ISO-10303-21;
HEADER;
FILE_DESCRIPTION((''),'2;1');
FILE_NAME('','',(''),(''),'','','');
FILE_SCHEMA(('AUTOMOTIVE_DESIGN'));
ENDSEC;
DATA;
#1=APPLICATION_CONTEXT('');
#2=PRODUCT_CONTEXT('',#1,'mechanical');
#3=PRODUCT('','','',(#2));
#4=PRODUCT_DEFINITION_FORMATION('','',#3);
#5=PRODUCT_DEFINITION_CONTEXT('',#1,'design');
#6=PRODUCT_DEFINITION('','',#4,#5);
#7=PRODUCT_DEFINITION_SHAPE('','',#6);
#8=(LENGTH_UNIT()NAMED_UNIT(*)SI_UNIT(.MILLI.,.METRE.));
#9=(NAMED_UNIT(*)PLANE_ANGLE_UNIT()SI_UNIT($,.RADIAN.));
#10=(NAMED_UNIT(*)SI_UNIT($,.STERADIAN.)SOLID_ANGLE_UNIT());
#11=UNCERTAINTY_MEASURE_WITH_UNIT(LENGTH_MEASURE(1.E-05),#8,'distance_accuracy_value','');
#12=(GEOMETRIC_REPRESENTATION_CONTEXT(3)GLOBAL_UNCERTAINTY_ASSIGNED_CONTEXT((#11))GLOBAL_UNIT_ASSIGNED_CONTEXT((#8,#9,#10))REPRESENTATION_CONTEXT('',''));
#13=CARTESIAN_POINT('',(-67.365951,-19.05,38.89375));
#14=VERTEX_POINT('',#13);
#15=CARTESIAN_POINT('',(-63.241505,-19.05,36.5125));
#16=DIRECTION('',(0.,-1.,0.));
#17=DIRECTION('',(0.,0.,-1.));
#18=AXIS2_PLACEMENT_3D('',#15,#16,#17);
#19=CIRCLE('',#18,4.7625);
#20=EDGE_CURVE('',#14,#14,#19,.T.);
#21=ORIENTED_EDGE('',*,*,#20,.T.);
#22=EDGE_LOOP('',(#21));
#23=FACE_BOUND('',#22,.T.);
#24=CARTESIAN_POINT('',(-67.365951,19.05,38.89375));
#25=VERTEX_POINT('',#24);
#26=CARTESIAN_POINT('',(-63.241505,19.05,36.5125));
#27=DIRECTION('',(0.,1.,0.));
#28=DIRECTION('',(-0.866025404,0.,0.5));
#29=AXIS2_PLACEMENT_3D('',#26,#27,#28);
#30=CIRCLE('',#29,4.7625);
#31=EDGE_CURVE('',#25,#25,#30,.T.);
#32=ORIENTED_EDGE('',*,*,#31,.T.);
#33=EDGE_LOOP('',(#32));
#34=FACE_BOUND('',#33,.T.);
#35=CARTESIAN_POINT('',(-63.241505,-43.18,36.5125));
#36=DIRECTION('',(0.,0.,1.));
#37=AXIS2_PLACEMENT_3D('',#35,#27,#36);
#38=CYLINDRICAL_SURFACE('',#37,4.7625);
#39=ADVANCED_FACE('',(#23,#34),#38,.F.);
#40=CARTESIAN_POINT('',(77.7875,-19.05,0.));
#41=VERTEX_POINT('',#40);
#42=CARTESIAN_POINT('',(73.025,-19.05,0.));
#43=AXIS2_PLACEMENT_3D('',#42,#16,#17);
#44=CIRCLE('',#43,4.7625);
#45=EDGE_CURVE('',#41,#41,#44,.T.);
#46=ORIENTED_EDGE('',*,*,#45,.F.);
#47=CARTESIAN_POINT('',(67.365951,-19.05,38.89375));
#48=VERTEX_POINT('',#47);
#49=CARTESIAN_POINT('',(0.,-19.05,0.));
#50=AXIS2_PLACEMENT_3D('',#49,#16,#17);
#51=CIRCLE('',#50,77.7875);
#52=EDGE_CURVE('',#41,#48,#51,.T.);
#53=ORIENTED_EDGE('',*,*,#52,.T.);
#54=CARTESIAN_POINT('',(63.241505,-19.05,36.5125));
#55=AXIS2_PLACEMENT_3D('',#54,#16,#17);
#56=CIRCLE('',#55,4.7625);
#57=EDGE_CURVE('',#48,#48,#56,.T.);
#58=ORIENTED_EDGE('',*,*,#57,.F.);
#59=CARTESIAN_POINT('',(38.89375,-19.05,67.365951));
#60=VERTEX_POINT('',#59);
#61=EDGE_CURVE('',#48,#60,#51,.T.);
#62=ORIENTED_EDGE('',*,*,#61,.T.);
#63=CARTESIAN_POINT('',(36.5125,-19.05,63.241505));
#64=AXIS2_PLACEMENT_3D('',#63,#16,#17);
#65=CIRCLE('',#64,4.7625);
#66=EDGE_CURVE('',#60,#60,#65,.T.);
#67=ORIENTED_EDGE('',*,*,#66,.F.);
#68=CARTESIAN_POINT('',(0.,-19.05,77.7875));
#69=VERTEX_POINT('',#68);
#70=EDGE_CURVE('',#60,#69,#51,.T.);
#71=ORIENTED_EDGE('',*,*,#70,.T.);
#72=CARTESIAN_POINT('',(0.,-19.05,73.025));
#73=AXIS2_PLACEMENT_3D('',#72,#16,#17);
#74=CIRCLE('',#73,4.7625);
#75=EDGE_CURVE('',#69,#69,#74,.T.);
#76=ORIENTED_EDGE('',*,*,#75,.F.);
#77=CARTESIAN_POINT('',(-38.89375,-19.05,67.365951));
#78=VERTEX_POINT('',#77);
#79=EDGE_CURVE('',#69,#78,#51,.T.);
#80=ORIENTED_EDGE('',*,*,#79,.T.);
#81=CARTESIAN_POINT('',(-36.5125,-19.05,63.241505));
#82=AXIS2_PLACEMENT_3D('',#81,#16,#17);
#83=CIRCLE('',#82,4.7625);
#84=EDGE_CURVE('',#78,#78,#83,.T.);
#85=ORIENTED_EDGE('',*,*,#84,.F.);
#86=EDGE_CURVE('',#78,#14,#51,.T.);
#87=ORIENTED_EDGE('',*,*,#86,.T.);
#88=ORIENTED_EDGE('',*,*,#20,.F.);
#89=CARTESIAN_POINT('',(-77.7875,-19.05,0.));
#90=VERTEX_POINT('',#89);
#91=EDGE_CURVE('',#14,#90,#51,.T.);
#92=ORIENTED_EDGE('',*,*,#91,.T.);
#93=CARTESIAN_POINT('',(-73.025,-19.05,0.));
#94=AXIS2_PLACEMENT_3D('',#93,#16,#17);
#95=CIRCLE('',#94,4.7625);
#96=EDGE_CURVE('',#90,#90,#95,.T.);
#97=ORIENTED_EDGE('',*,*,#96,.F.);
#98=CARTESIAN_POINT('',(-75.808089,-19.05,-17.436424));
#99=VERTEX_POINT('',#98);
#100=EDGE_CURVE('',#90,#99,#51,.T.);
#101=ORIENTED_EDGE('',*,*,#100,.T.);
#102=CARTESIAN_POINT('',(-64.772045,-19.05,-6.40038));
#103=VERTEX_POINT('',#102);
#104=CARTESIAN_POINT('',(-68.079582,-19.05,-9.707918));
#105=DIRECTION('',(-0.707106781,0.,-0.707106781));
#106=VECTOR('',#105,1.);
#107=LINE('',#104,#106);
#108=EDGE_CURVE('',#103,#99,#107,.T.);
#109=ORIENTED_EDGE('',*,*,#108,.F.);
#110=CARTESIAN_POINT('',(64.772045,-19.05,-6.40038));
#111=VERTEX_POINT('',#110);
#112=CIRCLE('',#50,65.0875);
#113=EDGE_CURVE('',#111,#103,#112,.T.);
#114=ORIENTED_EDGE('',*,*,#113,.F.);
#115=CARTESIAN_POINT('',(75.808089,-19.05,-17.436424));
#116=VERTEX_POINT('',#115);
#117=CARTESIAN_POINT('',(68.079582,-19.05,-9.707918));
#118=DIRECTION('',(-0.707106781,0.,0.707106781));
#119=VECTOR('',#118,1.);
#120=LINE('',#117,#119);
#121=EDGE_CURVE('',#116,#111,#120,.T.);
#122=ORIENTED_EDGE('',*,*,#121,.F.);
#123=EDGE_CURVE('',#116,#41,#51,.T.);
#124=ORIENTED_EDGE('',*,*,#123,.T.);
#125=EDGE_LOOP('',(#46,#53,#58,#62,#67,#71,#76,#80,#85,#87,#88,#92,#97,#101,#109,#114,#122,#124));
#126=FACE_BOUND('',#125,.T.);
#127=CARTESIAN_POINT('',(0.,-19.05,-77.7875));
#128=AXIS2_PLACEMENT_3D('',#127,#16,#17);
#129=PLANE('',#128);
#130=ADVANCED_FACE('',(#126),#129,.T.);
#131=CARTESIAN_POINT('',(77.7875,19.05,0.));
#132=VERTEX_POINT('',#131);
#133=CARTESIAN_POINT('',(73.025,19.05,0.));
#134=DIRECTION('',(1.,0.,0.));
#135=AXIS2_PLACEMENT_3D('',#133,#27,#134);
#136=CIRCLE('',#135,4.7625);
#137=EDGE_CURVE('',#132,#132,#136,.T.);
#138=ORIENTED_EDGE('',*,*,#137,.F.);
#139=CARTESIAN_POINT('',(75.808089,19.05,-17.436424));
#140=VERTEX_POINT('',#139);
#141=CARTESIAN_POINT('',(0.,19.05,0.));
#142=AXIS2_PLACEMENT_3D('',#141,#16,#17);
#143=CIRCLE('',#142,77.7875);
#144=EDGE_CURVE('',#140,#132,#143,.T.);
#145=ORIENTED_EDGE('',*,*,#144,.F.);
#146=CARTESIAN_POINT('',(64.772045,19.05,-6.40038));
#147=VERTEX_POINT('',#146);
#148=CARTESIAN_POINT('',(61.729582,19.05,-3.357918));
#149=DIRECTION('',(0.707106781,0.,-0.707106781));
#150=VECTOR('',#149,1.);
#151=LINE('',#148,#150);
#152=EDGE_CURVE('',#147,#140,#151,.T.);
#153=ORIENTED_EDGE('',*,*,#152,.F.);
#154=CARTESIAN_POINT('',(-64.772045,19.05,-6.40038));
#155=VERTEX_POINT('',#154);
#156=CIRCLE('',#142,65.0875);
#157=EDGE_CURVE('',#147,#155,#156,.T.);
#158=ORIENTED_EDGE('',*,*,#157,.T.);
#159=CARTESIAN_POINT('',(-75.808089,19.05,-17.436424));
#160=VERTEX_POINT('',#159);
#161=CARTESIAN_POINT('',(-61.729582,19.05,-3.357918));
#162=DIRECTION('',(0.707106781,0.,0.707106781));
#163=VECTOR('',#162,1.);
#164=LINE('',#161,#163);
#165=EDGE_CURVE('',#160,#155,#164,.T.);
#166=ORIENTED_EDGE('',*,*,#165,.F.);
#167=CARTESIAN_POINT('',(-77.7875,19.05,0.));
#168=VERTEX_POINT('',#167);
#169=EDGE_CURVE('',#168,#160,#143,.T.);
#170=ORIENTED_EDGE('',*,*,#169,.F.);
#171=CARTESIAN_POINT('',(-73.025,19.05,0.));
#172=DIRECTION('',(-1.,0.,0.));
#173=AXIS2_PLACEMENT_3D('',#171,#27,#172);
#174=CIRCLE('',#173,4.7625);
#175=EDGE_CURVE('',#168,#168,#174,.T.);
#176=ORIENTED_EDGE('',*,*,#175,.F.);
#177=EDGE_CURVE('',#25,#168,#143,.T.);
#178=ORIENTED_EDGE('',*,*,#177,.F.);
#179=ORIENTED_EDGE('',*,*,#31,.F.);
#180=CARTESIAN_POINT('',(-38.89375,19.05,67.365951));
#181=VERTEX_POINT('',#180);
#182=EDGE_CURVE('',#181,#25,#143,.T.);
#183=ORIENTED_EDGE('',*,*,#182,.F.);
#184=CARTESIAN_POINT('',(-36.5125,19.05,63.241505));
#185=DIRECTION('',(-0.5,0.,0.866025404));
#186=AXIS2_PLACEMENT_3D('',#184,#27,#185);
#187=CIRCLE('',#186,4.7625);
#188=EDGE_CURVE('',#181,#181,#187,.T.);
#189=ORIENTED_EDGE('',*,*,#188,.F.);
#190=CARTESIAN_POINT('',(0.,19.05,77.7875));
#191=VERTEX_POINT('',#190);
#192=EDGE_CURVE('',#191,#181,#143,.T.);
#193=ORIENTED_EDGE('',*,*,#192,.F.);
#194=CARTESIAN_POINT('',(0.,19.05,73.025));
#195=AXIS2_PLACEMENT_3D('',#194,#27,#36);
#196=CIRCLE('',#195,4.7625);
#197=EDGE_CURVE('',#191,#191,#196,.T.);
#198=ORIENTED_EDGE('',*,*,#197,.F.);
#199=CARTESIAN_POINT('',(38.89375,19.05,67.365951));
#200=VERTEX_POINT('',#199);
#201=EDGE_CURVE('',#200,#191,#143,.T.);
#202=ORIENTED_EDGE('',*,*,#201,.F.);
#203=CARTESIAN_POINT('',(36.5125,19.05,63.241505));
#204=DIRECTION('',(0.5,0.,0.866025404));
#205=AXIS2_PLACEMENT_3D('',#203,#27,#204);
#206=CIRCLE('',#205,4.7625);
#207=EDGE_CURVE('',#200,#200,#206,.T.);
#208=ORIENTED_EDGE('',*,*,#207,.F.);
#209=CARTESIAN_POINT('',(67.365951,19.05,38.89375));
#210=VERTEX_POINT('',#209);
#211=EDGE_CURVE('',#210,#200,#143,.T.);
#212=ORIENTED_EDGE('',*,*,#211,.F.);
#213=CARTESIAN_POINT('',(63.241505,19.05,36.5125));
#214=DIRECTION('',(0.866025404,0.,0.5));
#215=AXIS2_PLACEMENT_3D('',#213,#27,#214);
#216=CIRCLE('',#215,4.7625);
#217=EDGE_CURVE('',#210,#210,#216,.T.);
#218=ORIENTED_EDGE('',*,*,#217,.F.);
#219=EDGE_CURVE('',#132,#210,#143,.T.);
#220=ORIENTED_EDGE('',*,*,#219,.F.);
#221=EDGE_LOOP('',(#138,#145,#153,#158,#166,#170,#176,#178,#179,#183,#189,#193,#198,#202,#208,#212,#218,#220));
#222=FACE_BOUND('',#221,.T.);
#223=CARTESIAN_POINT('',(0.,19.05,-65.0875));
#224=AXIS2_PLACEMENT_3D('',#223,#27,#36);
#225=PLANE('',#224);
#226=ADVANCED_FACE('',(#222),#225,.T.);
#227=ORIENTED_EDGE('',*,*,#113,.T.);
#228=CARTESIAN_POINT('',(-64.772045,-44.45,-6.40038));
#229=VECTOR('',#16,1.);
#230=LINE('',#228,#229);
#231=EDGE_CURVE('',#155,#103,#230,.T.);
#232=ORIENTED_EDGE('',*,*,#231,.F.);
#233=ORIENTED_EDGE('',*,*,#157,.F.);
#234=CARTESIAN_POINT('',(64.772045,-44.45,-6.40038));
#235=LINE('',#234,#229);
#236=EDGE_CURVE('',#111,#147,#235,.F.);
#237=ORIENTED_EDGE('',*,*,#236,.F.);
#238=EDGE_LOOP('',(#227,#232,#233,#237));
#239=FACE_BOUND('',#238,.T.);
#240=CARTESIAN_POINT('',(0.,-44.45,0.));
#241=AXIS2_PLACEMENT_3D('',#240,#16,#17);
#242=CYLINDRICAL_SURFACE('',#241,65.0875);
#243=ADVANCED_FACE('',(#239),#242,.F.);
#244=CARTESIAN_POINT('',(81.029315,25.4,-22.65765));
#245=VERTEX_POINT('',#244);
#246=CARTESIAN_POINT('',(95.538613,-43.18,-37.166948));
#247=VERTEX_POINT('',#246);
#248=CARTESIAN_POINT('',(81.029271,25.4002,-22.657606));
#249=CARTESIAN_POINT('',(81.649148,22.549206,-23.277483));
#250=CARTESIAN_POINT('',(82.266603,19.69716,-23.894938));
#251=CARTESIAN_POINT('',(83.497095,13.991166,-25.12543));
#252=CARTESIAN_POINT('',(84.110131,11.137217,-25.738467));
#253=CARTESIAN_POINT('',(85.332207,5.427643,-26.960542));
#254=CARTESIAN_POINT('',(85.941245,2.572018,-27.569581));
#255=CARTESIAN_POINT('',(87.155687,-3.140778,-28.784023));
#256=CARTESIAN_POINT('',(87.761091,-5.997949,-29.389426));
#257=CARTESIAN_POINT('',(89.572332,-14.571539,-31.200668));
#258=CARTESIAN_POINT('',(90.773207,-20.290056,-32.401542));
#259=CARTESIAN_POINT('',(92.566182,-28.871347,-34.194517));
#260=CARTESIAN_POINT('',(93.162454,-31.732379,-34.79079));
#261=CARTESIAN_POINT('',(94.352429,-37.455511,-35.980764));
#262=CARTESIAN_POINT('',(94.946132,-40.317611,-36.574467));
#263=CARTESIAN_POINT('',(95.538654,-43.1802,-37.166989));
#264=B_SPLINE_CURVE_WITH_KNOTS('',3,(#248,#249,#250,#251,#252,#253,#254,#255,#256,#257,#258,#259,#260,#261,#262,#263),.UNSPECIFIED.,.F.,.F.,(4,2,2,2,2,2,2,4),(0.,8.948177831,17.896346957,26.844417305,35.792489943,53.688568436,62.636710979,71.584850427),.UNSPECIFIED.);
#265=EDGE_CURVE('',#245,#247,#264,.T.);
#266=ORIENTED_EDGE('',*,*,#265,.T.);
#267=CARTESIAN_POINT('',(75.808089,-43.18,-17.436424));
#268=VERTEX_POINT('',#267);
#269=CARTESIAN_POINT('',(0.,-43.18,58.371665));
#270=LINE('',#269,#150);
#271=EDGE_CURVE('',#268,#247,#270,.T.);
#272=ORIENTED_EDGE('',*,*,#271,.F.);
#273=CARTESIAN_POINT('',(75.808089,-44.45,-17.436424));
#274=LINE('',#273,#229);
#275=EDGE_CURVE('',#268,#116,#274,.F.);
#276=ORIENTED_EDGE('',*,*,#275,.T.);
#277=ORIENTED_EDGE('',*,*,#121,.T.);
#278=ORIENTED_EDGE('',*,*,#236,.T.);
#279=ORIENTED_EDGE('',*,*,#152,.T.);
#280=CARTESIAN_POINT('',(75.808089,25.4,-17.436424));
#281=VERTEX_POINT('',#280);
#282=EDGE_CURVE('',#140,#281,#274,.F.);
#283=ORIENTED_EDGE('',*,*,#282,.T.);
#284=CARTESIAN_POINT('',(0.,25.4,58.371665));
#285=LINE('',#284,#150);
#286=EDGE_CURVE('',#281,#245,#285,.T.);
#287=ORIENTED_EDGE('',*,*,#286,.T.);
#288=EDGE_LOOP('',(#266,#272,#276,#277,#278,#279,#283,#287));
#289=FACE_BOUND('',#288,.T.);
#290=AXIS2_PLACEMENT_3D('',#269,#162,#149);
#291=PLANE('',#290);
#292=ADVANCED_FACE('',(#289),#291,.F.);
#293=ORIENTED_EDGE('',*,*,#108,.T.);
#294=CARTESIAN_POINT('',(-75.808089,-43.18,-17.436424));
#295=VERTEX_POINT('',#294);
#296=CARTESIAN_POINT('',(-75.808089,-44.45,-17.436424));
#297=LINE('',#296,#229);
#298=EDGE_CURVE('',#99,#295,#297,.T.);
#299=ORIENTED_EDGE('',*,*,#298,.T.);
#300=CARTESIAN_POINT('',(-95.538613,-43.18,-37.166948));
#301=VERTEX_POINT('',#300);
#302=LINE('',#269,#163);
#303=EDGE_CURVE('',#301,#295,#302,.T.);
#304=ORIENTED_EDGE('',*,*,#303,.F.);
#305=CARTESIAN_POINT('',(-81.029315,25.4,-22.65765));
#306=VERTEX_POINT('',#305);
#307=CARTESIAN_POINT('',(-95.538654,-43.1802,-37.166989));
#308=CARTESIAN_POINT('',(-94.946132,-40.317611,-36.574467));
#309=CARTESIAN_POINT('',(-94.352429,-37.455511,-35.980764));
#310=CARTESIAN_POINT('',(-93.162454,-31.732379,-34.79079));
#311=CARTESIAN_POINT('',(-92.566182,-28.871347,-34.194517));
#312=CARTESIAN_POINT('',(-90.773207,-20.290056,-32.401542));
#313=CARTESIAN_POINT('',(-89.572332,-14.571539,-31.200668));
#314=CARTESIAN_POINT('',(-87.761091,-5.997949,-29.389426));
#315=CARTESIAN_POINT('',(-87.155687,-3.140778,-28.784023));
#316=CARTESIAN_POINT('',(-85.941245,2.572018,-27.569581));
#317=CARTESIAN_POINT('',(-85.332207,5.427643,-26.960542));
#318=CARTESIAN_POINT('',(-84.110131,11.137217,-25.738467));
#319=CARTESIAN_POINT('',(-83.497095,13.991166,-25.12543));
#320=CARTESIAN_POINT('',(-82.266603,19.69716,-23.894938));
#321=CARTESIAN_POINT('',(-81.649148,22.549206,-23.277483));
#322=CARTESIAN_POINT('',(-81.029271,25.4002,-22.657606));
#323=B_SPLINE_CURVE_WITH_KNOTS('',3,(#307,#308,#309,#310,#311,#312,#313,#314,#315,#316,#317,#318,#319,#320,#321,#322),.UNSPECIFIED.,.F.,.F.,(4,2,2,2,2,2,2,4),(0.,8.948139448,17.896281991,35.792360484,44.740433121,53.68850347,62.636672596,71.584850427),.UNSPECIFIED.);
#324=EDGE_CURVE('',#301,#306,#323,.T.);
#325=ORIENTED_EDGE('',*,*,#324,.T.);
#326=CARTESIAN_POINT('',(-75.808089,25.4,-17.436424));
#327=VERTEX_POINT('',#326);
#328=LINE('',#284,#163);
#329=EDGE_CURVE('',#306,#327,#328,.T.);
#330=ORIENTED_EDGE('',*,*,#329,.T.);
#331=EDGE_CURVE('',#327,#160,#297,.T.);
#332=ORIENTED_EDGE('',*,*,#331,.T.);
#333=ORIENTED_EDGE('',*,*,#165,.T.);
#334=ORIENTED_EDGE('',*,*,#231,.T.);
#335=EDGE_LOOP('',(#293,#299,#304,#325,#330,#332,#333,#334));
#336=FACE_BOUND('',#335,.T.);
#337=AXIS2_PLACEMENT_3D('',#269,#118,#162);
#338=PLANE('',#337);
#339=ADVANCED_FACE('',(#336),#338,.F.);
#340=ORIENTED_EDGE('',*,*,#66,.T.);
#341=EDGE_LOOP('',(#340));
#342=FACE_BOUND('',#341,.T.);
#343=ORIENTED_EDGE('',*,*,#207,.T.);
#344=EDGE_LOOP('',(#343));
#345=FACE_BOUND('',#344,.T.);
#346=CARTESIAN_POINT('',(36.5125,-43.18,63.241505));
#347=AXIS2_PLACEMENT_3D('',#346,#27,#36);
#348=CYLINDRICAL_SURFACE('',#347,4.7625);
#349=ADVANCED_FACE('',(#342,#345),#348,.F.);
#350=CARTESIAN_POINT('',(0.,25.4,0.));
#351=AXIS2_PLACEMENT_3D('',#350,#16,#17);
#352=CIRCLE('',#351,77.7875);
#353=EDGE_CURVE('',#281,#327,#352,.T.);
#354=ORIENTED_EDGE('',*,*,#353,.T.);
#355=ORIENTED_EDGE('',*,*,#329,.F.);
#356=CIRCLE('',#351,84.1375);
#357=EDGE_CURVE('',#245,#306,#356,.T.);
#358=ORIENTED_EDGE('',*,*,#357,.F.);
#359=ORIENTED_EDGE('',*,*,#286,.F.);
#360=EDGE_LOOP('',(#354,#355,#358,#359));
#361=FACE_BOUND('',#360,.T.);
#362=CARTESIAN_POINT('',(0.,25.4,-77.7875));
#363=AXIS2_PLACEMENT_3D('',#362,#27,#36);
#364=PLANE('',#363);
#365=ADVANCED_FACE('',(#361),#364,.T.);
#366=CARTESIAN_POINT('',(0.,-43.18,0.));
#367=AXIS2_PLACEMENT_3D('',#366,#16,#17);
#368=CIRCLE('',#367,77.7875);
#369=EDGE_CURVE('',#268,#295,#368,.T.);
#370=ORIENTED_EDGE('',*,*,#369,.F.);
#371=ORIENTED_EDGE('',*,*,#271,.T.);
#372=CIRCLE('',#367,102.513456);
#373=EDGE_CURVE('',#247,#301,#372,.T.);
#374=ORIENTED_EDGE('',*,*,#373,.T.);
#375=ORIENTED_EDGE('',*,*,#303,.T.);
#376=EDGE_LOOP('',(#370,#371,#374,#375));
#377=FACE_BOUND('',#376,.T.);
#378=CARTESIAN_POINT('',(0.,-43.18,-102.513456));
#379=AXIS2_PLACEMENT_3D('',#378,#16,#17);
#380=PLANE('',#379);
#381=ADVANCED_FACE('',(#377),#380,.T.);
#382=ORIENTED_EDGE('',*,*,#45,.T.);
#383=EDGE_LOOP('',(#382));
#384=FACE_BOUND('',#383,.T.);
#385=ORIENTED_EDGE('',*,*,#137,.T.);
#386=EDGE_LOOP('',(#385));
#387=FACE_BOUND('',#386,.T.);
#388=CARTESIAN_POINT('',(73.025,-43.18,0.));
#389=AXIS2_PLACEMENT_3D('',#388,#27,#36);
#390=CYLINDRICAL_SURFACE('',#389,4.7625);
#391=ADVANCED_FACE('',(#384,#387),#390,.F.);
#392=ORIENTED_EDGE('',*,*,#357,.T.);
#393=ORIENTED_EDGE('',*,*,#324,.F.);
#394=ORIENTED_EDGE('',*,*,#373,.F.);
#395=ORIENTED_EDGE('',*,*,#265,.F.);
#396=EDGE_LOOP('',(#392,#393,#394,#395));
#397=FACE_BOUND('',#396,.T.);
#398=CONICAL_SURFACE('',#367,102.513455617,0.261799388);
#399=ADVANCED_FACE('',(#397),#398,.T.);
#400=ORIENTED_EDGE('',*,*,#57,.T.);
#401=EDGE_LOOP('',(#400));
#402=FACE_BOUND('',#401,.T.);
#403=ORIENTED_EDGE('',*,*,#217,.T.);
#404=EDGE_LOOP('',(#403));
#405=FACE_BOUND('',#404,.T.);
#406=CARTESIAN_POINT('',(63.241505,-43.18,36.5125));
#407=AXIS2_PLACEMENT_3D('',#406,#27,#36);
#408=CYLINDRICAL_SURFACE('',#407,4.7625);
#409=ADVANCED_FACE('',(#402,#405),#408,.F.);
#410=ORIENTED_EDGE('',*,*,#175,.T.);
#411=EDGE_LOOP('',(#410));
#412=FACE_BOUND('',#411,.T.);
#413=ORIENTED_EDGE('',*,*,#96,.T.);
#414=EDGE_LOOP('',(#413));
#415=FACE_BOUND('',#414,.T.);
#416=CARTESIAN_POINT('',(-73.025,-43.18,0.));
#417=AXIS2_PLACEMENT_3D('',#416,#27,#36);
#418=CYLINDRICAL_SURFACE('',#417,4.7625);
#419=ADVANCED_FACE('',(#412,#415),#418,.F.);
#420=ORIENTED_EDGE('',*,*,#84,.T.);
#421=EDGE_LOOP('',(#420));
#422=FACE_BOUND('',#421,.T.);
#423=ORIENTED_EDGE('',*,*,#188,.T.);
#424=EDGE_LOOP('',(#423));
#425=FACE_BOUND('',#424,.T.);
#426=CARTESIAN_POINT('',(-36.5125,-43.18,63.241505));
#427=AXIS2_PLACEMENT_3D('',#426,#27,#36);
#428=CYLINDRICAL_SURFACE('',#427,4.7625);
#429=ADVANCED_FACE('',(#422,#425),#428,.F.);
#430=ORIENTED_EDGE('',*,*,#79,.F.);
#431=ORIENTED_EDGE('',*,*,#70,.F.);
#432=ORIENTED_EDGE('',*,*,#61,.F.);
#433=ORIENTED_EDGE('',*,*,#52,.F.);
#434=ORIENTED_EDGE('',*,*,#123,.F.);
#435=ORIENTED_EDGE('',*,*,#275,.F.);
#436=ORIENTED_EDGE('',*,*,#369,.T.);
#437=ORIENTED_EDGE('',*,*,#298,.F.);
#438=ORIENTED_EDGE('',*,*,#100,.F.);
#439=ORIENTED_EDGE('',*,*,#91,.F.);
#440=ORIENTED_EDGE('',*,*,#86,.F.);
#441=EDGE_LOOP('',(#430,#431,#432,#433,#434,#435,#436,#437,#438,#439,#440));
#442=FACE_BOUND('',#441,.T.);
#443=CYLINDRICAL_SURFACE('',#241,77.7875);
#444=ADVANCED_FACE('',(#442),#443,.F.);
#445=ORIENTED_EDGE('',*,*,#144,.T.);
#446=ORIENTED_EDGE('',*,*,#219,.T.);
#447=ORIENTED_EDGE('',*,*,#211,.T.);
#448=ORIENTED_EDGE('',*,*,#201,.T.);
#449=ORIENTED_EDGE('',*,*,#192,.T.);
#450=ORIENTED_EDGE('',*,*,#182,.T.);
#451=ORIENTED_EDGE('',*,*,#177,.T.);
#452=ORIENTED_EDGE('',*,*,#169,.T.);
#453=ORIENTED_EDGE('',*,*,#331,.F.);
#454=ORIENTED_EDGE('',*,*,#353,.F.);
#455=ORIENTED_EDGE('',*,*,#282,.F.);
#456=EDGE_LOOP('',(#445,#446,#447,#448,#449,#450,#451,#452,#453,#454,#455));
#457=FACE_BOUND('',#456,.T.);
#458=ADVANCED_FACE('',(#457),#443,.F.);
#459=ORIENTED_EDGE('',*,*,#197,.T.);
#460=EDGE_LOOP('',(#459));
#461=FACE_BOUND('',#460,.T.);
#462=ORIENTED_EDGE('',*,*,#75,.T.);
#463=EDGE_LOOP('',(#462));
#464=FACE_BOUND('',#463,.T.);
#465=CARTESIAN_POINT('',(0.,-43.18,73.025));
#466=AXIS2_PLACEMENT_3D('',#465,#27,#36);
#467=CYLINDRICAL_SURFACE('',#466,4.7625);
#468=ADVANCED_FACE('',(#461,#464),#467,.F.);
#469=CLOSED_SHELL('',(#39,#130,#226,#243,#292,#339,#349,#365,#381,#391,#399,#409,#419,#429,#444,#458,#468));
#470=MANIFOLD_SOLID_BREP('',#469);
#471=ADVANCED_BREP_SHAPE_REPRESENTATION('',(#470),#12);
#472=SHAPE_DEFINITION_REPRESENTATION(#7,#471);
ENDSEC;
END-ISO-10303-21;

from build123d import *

# Parameters (mm, degrees)
SKETCH2_R               = 4.7625
CUT_EXTRUDE1_DEPTH      = 63.23
CIRPATTERN1_COUNT       = 12
CUT_EXTRUDE2_DEPTH      = 26.4
CUT_EXTRUDE2_DEPTH_BACK = 44.18


with BuildPart() as part:
    # Sketch1 → Revolve1 (revolve)
    with BuildSketch(Plane(origin=(0, 0, 0), x_dir=(0, 0, -1), z_dir=(1, 0, 0))):
        Polygon((65.0875, -19.05), (65.0875, 19.05), (77.7875, 19.05), (77.7875, 25.4), (84.1375, 25.4), (102.513455617, -43.18), (77.7875, -43.18), (77.7875, -25.4), (77.7875, -19.05), align=None)
    revolve(axis=Axis((0, -44.45, 0), (0, 1, 0)))

    # Sketch2 → Cut-Extrude1 (cut, through all)
    with BuildSketch(Plane(origin=(0, 19.05, 0), x_dir=(1, 0, 0), z_dir=(0, 1, 0))):
        with Locations((0, -73.025)):
            Circle(SKETCH2_R)
    cut_extrude1 = extrude(amount=-CUT_EXTRUDE1_DEPTH, mode=Mode.SUBTRACT)

    # CirPattern1: Cut-Extrude1 ×12 about axis
    cirpattern1_axis = Axis((0, 0, 0), (0, 1, 0))
    for i in range(1, CIRPATTERN1_COUNT):
        add(cut_extrude1.rotate(cirpattern1_axis, i * 360 / CIRPATTERN1_COUNT), mode=Mode.SUBTRACT)

    # Sketch3 → Cut-Extrude2 (cut, two sides)
    with BuildSketch(Plane(origin=(0, 0, 0), x_dir=(1, 0, 0), z_dir=(0, 1, 0))) as cut_extrude2_sk:
        with BuildLine():
            Line((0, -58.371664787), (95.538612884, 37.166948097))
            ThreePointArc((95.538612884, 37.166948097), (0, 102.513455617), (-95.538612884, 37.166948097))
            Line((-95.538612884, 37.166948097), (0, -58.371664787))
        make_face()
    extrude(amount=CUT_EXTRUDE2_DEPTH, mode=Mode.SUBTRACT)
    extrude(cut_extrude2_sk.sketch, amount=-CUT_EXTRUDE2_DEPTH_BACK, mode=Mode.SUBTRACT)


solid = part.part
